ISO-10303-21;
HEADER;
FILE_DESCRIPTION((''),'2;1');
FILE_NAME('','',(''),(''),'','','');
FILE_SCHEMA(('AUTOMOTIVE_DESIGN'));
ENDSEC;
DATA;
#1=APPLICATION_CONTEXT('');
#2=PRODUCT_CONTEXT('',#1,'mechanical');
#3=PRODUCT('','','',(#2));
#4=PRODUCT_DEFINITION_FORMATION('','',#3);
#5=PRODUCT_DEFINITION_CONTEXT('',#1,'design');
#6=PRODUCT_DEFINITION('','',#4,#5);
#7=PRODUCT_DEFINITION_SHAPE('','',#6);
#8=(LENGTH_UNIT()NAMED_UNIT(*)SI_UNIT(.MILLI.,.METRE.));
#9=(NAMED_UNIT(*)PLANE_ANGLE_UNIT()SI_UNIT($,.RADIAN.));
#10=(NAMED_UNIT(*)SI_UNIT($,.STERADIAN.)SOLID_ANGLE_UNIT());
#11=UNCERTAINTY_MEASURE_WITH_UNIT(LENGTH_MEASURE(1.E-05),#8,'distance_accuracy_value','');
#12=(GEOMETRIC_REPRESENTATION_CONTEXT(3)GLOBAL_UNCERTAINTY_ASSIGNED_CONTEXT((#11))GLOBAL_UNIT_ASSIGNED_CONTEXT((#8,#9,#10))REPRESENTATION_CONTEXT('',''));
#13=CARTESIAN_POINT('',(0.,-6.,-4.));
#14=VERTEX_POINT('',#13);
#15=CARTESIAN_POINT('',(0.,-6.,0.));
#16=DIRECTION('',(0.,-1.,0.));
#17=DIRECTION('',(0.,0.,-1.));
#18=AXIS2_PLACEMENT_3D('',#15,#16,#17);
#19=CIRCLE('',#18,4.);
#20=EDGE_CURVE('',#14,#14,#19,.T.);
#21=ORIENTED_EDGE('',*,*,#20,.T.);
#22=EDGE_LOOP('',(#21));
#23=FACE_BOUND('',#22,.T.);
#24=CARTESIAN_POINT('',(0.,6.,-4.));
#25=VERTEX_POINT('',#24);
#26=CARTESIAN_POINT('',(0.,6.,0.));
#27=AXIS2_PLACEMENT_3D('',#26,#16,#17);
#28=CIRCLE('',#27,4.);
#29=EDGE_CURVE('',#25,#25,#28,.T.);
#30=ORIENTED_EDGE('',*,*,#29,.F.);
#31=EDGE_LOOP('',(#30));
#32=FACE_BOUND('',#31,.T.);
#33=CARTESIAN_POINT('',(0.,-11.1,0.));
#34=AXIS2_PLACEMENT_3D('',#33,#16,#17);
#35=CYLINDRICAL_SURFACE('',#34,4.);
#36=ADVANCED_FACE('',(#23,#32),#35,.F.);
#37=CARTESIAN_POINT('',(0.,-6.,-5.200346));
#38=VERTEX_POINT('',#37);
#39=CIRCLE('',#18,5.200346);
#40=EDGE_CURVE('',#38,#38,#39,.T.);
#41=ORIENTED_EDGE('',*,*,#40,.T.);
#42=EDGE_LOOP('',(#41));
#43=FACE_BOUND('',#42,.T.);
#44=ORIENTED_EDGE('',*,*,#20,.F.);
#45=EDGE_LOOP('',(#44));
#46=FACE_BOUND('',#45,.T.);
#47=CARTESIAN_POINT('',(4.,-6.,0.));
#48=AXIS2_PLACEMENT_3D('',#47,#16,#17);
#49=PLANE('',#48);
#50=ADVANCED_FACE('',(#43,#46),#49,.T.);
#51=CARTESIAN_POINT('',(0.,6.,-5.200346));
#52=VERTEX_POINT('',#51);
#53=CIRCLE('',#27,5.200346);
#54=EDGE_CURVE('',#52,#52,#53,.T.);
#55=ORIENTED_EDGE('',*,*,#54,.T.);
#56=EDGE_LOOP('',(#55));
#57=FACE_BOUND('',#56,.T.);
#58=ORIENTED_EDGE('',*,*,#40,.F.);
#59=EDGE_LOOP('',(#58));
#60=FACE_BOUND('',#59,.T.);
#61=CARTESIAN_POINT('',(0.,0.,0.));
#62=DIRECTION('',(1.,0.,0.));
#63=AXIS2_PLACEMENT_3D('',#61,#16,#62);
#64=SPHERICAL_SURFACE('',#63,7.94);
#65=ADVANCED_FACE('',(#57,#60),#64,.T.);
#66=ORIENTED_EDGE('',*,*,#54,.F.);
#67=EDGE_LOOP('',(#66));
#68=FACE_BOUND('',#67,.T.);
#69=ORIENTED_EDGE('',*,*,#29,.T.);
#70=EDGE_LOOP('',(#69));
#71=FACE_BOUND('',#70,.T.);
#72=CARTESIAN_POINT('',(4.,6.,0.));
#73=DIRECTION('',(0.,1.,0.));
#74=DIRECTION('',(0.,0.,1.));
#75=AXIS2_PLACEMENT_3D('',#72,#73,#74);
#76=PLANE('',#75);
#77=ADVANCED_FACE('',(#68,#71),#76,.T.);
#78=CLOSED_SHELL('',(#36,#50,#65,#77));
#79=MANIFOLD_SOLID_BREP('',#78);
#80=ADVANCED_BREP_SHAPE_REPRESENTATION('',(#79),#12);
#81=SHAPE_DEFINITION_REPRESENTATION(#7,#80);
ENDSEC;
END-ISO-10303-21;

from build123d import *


with BuildPart() as part:
    # Szkic1 → Obrót1 (revolve)
    with BuildSketch(Plane.XY):
        with BuildLine():
            Line((4, -6), (4, 6))
            Line((4, 6), (5.200346142, 6))
            ThreePointArc((5.200346142, 6), (7.94, 0), (5.200346142, -6))
            Line((5.200346142, -6), (4, -6))
        make_face()
    revolve(axis=Axis((0, -11.1, 0), (0, 1, 0)))


solid = part.part
